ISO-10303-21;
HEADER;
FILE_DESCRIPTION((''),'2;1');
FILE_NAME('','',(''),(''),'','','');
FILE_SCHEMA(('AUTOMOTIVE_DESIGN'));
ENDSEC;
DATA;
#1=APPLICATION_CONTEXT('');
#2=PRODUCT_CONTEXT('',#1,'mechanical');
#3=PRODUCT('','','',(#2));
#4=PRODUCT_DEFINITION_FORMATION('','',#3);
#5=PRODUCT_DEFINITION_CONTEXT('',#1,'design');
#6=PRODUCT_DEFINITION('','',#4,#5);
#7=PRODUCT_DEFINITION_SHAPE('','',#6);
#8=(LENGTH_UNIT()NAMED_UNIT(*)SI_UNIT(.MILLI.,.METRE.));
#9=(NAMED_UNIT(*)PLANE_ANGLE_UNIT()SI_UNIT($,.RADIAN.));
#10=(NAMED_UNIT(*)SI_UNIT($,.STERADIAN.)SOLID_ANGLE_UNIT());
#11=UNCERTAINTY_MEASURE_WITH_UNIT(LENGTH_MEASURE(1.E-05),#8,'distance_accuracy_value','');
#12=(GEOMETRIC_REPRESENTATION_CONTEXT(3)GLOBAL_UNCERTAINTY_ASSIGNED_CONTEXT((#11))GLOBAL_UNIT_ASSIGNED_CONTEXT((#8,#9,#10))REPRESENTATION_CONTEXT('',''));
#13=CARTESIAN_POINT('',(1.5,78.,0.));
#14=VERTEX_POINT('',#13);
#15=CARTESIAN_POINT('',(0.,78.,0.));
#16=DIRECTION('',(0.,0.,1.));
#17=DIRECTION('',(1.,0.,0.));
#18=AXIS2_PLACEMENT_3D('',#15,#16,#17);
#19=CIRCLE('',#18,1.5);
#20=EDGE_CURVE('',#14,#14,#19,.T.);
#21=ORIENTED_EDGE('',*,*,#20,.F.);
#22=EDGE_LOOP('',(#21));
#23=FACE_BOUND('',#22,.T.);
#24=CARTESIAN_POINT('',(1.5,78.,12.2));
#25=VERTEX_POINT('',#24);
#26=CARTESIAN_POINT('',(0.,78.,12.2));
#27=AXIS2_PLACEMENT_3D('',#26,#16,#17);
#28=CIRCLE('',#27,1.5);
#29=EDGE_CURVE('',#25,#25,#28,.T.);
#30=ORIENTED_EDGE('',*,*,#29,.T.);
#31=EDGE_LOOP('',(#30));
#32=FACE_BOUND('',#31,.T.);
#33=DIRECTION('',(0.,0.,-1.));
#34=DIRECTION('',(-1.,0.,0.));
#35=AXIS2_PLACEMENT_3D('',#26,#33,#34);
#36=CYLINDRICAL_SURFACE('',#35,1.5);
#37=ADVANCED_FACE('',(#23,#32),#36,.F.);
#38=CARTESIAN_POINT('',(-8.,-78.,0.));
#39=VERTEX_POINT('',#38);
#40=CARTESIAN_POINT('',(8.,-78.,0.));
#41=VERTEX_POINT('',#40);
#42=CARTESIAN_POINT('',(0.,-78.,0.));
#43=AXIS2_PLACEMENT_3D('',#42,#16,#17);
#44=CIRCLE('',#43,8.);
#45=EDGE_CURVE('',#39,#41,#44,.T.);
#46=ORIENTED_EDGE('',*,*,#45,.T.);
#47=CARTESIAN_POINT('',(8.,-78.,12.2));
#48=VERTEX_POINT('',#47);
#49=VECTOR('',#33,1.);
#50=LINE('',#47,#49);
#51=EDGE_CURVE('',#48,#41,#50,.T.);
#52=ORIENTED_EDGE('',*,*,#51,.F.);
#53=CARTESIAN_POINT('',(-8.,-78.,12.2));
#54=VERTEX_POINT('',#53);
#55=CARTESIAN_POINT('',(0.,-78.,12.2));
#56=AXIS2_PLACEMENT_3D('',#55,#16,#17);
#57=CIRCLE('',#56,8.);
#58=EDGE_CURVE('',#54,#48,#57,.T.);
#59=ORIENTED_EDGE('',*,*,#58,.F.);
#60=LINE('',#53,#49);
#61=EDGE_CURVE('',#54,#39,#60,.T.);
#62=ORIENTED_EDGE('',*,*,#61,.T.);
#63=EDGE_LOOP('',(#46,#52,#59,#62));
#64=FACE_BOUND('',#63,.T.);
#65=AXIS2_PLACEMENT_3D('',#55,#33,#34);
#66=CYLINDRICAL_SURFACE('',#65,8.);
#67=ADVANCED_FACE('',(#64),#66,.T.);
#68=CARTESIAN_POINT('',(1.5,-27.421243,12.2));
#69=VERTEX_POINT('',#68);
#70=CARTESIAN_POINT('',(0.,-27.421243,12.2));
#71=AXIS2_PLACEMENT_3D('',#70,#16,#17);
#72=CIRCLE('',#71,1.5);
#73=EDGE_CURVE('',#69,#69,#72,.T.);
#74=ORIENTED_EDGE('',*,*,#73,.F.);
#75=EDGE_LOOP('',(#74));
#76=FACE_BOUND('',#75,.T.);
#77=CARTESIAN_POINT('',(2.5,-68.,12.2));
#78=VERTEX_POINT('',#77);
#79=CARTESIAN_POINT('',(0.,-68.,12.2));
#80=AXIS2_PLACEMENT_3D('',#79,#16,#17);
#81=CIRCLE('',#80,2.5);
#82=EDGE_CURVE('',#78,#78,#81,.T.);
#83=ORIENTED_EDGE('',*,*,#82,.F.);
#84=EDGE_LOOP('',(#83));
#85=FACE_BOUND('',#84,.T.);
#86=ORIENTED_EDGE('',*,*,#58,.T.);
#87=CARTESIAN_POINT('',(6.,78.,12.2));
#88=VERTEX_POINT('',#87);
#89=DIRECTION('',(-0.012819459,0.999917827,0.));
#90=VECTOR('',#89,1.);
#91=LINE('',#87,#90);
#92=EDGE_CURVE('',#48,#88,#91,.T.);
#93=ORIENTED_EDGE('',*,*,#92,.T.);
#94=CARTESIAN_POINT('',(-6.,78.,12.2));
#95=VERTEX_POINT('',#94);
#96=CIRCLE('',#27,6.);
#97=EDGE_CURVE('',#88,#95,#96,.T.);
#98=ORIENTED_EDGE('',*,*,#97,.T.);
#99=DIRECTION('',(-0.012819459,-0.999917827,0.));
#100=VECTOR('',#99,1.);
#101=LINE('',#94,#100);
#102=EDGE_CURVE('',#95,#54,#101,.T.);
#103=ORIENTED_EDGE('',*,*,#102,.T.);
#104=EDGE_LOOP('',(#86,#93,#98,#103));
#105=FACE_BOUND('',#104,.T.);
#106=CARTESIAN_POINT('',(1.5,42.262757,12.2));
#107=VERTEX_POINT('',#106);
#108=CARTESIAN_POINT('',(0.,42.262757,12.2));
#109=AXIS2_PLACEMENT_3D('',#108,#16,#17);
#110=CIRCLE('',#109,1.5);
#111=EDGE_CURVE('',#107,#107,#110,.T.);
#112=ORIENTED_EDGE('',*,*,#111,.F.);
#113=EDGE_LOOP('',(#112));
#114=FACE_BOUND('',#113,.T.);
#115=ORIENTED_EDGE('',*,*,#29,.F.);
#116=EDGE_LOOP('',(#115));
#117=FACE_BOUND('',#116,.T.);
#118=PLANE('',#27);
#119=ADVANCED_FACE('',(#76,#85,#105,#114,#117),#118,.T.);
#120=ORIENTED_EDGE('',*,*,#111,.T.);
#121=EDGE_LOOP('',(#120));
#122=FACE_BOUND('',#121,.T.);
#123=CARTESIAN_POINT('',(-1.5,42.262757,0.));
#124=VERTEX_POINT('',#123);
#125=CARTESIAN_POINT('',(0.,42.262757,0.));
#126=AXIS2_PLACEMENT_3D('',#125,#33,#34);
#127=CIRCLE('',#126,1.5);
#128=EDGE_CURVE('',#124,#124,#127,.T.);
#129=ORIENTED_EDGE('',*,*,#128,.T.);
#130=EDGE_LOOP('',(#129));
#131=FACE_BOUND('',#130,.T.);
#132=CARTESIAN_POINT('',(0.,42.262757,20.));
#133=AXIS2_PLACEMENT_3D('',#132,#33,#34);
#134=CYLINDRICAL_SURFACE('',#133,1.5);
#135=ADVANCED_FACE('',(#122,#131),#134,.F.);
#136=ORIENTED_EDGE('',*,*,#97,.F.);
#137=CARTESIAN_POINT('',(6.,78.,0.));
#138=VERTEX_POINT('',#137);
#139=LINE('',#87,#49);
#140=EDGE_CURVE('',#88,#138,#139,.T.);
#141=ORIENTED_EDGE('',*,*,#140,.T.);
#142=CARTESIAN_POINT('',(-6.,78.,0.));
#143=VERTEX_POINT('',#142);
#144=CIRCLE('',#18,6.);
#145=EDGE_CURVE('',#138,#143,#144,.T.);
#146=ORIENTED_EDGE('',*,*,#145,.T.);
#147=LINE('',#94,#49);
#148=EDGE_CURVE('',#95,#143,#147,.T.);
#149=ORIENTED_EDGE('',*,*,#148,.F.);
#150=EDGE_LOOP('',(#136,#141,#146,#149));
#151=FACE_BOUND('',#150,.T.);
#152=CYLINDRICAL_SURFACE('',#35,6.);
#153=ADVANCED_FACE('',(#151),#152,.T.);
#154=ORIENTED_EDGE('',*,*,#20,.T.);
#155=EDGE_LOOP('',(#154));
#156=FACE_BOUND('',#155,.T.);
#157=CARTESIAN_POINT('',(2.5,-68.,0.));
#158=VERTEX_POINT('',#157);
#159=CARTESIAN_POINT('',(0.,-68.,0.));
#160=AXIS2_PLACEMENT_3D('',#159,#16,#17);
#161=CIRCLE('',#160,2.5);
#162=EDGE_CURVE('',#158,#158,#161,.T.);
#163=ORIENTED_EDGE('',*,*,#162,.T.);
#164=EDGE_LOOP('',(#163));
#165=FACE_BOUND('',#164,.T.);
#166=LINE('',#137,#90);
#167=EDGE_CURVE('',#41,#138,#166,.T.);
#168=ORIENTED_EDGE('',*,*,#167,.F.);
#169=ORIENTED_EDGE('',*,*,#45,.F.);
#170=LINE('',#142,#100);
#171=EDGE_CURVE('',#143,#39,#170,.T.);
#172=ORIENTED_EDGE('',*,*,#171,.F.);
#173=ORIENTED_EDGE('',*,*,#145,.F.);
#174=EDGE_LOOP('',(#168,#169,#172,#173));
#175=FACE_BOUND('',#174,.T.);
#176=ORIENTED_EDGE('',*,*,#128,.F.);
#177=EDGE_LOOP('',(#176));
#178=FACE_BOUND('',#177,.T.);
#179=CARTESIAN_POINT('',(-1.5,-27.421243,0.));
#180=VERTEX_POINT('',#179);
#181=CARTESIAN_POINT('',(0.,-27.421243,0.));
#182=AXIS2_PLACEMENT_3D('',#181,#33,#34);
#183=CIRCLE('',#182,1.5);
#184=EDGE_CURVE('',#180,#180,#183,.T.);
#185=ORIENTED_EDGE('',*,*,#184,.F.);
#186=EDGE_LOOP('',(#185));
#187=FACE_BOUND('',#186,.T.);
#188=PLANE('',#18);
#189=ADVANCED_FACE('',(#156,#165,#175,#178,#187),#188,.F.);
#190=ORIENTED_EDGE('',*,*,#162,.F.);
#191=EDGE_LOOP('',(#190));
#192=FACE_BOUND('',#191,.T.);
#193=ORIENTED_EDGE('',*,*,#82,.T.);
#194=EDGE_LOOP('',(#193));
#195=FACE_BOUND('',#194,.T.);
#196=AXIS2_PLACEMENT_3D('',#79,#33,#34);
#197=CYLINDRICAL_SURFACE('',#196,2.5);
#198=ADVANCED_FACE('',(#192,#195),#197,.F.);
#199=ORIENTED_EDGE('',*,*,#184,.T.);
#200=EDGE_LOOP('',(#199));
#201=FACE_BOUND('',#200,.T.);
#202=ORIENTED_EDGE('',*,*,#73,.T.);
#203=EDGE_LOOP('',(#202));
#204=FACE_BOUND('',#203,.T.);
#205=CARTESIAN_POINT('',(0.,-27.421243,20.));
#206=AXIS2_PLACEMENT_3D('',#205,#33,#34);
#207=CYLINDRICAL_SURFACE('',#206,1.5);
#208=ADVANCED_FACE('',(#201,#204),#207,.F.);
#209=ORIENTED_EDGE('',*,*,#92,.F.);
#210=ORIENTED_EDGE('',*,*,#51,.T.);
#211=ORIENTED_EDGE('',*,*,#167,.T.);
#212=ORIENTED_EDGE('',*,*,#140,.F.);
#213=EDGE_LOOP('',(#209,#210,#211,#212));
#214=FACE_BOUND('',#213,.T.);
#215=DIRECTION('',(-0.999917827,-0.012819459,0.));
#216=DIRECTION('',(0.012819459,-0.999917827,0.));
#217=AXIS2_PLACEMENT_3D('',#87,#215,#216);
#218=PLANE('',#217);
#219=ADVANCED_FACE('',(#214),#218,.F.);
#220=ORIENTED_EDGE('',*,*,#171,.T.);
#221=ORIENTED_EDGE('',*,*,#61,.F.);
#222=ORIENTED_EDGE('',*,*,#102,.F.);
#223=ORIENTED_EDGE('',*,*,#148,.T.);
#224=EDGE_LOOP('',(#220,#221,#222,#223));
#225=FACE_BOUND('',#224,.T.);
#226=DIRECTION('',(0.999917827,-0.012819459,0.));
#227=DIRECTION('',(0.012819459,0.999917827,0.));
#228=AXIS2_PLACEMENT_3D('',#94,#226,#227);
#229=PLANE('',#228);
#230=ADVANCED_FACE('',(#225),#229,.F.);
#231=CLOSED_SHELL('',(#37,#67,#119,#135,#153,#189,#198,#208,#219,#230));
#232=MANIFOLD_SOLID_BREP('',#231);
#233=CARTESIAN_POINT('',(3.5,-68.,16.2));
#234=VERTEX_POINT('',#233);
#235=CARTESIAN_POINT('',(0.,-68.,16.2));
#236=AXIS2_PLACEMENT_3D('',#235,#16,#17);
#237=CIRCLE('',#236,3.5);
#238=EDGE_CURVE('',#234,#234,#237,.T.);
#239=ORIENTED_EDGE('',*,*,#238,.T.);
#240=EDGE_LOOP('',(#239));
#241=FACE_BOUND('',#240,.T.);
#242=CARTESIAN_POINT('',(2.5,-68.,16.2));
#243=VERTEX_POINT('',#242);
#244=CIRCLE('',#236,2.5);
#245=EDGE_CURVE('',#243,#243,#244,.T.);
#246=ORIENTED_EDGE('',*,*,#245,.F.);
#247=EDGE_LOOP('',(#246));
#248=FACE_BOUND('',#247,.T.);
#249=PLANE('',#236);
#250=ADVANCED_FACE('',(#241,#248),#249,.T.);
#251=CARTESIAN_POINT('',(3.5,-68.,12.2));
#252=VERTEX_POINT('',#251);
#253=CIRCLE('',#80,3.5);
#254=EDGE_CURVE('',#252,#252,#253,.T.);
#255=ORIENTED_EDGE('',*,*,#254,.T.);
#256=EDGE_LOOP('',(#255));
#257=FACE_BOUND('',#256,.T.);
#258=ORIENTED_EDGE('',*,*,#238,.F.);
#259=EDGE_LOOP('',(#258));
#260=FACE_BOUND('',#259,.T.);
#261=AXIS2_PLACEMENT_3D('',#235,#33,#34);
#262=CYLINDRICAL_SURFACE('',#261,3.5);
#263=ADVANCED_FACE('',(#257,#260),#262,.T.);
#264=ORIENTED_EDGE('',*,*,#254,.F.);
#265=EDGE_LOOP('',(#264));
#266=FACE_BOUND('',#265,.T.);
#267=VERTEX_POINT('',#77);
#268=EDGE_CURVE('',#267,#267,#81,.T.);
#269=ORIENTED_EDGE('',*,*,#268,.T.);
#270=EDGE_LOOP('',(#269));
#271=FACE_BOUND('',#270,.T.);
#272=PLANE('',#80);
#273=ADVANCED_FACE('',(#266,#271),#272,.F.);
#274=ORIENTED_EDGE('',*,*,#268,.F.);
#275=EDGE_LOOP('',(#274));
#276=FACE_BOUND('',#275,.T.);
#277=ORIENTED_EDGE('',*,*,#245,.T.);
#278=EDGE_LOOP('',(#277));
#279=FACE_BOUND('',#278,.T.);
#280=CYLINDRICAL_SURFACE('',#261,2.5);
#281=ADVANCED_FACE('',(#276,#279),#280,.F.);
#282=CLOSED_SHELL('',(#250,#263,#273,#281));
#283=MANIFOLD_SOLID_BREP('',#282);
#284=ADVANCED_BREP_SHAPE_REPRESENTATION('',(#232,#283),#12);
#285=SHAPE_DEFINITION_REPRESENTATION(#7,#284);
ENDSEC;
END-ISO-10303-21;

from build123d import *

# Parameters (mm, degrees)
SKETCH1_R           = 1.5
SKETCH1_R_2         = 2.5
BOSS_EXTRUDE2_DEPTH = 12.2
SKETCH3_R           = 3.5
SKETCH3_R_2         = 2.5
EXTRUDE_THIN1_DEPTH = 4
SKETCH4_R           = 1.5
CUT_EXTRUDE1_DEPTH  = 20


with BuildPart() as part:
    # Sketch1 → Boss-Extrude2 (new body)
    with BuildSketch(Plane.XY):
        with BuildLine():
            Line((6, 78), (8, -78))
            ThreePointArc((8, -78), (0, -86), (-8, -78))
            Line((-8, -78), (-6, 78))
            ThreePointArc((-6, 78), (0, 84), (6, 78))
        make_face()
        with Locations((0, 78)):
            Circle(SKETCH1_R, mode=Mode.SUBTRACT)
        with Locations((0, -68)):
            Circle(SKETCH1_R_2, mode=Mode.SUBTRACT)
    extrude(amount=BOSS_EXTRUDE2_DEPTH)

    # Sketch4 → Cut-Extrude1 (cut)
    with BuildSketch(Plane(origin=(0, 0, 0), x_dir=(-1, 0, 0), z_dir=(0, 0, -1))):
        with Locations((0, 42.26275725)):
            Circle(SKETCH4_R)
        with Locations((0, -27.421243353)):
            Circle(SKETCH4_R)
    extrude(amount=-CUT_EXTRUDE1_DEPTH, mode=Mode.SUBTRACT)


with BuildPart() as body_2:
    # Sketch3 → Extrude-Thin1 (new body)
    with BuildSketch(Plane.XY.offset(12.2)):
        with Locations((0, -68)):
            Circle(SKETCH3_R)
        with Locations((0, -68)):
            Circle(SKETCH3_R_2, mode=Mode.SUBTRACT)
    extrude(amount=EXTRUDE_THIN1_DEPTH)


solid = Compound([part.part, body_2.part])
